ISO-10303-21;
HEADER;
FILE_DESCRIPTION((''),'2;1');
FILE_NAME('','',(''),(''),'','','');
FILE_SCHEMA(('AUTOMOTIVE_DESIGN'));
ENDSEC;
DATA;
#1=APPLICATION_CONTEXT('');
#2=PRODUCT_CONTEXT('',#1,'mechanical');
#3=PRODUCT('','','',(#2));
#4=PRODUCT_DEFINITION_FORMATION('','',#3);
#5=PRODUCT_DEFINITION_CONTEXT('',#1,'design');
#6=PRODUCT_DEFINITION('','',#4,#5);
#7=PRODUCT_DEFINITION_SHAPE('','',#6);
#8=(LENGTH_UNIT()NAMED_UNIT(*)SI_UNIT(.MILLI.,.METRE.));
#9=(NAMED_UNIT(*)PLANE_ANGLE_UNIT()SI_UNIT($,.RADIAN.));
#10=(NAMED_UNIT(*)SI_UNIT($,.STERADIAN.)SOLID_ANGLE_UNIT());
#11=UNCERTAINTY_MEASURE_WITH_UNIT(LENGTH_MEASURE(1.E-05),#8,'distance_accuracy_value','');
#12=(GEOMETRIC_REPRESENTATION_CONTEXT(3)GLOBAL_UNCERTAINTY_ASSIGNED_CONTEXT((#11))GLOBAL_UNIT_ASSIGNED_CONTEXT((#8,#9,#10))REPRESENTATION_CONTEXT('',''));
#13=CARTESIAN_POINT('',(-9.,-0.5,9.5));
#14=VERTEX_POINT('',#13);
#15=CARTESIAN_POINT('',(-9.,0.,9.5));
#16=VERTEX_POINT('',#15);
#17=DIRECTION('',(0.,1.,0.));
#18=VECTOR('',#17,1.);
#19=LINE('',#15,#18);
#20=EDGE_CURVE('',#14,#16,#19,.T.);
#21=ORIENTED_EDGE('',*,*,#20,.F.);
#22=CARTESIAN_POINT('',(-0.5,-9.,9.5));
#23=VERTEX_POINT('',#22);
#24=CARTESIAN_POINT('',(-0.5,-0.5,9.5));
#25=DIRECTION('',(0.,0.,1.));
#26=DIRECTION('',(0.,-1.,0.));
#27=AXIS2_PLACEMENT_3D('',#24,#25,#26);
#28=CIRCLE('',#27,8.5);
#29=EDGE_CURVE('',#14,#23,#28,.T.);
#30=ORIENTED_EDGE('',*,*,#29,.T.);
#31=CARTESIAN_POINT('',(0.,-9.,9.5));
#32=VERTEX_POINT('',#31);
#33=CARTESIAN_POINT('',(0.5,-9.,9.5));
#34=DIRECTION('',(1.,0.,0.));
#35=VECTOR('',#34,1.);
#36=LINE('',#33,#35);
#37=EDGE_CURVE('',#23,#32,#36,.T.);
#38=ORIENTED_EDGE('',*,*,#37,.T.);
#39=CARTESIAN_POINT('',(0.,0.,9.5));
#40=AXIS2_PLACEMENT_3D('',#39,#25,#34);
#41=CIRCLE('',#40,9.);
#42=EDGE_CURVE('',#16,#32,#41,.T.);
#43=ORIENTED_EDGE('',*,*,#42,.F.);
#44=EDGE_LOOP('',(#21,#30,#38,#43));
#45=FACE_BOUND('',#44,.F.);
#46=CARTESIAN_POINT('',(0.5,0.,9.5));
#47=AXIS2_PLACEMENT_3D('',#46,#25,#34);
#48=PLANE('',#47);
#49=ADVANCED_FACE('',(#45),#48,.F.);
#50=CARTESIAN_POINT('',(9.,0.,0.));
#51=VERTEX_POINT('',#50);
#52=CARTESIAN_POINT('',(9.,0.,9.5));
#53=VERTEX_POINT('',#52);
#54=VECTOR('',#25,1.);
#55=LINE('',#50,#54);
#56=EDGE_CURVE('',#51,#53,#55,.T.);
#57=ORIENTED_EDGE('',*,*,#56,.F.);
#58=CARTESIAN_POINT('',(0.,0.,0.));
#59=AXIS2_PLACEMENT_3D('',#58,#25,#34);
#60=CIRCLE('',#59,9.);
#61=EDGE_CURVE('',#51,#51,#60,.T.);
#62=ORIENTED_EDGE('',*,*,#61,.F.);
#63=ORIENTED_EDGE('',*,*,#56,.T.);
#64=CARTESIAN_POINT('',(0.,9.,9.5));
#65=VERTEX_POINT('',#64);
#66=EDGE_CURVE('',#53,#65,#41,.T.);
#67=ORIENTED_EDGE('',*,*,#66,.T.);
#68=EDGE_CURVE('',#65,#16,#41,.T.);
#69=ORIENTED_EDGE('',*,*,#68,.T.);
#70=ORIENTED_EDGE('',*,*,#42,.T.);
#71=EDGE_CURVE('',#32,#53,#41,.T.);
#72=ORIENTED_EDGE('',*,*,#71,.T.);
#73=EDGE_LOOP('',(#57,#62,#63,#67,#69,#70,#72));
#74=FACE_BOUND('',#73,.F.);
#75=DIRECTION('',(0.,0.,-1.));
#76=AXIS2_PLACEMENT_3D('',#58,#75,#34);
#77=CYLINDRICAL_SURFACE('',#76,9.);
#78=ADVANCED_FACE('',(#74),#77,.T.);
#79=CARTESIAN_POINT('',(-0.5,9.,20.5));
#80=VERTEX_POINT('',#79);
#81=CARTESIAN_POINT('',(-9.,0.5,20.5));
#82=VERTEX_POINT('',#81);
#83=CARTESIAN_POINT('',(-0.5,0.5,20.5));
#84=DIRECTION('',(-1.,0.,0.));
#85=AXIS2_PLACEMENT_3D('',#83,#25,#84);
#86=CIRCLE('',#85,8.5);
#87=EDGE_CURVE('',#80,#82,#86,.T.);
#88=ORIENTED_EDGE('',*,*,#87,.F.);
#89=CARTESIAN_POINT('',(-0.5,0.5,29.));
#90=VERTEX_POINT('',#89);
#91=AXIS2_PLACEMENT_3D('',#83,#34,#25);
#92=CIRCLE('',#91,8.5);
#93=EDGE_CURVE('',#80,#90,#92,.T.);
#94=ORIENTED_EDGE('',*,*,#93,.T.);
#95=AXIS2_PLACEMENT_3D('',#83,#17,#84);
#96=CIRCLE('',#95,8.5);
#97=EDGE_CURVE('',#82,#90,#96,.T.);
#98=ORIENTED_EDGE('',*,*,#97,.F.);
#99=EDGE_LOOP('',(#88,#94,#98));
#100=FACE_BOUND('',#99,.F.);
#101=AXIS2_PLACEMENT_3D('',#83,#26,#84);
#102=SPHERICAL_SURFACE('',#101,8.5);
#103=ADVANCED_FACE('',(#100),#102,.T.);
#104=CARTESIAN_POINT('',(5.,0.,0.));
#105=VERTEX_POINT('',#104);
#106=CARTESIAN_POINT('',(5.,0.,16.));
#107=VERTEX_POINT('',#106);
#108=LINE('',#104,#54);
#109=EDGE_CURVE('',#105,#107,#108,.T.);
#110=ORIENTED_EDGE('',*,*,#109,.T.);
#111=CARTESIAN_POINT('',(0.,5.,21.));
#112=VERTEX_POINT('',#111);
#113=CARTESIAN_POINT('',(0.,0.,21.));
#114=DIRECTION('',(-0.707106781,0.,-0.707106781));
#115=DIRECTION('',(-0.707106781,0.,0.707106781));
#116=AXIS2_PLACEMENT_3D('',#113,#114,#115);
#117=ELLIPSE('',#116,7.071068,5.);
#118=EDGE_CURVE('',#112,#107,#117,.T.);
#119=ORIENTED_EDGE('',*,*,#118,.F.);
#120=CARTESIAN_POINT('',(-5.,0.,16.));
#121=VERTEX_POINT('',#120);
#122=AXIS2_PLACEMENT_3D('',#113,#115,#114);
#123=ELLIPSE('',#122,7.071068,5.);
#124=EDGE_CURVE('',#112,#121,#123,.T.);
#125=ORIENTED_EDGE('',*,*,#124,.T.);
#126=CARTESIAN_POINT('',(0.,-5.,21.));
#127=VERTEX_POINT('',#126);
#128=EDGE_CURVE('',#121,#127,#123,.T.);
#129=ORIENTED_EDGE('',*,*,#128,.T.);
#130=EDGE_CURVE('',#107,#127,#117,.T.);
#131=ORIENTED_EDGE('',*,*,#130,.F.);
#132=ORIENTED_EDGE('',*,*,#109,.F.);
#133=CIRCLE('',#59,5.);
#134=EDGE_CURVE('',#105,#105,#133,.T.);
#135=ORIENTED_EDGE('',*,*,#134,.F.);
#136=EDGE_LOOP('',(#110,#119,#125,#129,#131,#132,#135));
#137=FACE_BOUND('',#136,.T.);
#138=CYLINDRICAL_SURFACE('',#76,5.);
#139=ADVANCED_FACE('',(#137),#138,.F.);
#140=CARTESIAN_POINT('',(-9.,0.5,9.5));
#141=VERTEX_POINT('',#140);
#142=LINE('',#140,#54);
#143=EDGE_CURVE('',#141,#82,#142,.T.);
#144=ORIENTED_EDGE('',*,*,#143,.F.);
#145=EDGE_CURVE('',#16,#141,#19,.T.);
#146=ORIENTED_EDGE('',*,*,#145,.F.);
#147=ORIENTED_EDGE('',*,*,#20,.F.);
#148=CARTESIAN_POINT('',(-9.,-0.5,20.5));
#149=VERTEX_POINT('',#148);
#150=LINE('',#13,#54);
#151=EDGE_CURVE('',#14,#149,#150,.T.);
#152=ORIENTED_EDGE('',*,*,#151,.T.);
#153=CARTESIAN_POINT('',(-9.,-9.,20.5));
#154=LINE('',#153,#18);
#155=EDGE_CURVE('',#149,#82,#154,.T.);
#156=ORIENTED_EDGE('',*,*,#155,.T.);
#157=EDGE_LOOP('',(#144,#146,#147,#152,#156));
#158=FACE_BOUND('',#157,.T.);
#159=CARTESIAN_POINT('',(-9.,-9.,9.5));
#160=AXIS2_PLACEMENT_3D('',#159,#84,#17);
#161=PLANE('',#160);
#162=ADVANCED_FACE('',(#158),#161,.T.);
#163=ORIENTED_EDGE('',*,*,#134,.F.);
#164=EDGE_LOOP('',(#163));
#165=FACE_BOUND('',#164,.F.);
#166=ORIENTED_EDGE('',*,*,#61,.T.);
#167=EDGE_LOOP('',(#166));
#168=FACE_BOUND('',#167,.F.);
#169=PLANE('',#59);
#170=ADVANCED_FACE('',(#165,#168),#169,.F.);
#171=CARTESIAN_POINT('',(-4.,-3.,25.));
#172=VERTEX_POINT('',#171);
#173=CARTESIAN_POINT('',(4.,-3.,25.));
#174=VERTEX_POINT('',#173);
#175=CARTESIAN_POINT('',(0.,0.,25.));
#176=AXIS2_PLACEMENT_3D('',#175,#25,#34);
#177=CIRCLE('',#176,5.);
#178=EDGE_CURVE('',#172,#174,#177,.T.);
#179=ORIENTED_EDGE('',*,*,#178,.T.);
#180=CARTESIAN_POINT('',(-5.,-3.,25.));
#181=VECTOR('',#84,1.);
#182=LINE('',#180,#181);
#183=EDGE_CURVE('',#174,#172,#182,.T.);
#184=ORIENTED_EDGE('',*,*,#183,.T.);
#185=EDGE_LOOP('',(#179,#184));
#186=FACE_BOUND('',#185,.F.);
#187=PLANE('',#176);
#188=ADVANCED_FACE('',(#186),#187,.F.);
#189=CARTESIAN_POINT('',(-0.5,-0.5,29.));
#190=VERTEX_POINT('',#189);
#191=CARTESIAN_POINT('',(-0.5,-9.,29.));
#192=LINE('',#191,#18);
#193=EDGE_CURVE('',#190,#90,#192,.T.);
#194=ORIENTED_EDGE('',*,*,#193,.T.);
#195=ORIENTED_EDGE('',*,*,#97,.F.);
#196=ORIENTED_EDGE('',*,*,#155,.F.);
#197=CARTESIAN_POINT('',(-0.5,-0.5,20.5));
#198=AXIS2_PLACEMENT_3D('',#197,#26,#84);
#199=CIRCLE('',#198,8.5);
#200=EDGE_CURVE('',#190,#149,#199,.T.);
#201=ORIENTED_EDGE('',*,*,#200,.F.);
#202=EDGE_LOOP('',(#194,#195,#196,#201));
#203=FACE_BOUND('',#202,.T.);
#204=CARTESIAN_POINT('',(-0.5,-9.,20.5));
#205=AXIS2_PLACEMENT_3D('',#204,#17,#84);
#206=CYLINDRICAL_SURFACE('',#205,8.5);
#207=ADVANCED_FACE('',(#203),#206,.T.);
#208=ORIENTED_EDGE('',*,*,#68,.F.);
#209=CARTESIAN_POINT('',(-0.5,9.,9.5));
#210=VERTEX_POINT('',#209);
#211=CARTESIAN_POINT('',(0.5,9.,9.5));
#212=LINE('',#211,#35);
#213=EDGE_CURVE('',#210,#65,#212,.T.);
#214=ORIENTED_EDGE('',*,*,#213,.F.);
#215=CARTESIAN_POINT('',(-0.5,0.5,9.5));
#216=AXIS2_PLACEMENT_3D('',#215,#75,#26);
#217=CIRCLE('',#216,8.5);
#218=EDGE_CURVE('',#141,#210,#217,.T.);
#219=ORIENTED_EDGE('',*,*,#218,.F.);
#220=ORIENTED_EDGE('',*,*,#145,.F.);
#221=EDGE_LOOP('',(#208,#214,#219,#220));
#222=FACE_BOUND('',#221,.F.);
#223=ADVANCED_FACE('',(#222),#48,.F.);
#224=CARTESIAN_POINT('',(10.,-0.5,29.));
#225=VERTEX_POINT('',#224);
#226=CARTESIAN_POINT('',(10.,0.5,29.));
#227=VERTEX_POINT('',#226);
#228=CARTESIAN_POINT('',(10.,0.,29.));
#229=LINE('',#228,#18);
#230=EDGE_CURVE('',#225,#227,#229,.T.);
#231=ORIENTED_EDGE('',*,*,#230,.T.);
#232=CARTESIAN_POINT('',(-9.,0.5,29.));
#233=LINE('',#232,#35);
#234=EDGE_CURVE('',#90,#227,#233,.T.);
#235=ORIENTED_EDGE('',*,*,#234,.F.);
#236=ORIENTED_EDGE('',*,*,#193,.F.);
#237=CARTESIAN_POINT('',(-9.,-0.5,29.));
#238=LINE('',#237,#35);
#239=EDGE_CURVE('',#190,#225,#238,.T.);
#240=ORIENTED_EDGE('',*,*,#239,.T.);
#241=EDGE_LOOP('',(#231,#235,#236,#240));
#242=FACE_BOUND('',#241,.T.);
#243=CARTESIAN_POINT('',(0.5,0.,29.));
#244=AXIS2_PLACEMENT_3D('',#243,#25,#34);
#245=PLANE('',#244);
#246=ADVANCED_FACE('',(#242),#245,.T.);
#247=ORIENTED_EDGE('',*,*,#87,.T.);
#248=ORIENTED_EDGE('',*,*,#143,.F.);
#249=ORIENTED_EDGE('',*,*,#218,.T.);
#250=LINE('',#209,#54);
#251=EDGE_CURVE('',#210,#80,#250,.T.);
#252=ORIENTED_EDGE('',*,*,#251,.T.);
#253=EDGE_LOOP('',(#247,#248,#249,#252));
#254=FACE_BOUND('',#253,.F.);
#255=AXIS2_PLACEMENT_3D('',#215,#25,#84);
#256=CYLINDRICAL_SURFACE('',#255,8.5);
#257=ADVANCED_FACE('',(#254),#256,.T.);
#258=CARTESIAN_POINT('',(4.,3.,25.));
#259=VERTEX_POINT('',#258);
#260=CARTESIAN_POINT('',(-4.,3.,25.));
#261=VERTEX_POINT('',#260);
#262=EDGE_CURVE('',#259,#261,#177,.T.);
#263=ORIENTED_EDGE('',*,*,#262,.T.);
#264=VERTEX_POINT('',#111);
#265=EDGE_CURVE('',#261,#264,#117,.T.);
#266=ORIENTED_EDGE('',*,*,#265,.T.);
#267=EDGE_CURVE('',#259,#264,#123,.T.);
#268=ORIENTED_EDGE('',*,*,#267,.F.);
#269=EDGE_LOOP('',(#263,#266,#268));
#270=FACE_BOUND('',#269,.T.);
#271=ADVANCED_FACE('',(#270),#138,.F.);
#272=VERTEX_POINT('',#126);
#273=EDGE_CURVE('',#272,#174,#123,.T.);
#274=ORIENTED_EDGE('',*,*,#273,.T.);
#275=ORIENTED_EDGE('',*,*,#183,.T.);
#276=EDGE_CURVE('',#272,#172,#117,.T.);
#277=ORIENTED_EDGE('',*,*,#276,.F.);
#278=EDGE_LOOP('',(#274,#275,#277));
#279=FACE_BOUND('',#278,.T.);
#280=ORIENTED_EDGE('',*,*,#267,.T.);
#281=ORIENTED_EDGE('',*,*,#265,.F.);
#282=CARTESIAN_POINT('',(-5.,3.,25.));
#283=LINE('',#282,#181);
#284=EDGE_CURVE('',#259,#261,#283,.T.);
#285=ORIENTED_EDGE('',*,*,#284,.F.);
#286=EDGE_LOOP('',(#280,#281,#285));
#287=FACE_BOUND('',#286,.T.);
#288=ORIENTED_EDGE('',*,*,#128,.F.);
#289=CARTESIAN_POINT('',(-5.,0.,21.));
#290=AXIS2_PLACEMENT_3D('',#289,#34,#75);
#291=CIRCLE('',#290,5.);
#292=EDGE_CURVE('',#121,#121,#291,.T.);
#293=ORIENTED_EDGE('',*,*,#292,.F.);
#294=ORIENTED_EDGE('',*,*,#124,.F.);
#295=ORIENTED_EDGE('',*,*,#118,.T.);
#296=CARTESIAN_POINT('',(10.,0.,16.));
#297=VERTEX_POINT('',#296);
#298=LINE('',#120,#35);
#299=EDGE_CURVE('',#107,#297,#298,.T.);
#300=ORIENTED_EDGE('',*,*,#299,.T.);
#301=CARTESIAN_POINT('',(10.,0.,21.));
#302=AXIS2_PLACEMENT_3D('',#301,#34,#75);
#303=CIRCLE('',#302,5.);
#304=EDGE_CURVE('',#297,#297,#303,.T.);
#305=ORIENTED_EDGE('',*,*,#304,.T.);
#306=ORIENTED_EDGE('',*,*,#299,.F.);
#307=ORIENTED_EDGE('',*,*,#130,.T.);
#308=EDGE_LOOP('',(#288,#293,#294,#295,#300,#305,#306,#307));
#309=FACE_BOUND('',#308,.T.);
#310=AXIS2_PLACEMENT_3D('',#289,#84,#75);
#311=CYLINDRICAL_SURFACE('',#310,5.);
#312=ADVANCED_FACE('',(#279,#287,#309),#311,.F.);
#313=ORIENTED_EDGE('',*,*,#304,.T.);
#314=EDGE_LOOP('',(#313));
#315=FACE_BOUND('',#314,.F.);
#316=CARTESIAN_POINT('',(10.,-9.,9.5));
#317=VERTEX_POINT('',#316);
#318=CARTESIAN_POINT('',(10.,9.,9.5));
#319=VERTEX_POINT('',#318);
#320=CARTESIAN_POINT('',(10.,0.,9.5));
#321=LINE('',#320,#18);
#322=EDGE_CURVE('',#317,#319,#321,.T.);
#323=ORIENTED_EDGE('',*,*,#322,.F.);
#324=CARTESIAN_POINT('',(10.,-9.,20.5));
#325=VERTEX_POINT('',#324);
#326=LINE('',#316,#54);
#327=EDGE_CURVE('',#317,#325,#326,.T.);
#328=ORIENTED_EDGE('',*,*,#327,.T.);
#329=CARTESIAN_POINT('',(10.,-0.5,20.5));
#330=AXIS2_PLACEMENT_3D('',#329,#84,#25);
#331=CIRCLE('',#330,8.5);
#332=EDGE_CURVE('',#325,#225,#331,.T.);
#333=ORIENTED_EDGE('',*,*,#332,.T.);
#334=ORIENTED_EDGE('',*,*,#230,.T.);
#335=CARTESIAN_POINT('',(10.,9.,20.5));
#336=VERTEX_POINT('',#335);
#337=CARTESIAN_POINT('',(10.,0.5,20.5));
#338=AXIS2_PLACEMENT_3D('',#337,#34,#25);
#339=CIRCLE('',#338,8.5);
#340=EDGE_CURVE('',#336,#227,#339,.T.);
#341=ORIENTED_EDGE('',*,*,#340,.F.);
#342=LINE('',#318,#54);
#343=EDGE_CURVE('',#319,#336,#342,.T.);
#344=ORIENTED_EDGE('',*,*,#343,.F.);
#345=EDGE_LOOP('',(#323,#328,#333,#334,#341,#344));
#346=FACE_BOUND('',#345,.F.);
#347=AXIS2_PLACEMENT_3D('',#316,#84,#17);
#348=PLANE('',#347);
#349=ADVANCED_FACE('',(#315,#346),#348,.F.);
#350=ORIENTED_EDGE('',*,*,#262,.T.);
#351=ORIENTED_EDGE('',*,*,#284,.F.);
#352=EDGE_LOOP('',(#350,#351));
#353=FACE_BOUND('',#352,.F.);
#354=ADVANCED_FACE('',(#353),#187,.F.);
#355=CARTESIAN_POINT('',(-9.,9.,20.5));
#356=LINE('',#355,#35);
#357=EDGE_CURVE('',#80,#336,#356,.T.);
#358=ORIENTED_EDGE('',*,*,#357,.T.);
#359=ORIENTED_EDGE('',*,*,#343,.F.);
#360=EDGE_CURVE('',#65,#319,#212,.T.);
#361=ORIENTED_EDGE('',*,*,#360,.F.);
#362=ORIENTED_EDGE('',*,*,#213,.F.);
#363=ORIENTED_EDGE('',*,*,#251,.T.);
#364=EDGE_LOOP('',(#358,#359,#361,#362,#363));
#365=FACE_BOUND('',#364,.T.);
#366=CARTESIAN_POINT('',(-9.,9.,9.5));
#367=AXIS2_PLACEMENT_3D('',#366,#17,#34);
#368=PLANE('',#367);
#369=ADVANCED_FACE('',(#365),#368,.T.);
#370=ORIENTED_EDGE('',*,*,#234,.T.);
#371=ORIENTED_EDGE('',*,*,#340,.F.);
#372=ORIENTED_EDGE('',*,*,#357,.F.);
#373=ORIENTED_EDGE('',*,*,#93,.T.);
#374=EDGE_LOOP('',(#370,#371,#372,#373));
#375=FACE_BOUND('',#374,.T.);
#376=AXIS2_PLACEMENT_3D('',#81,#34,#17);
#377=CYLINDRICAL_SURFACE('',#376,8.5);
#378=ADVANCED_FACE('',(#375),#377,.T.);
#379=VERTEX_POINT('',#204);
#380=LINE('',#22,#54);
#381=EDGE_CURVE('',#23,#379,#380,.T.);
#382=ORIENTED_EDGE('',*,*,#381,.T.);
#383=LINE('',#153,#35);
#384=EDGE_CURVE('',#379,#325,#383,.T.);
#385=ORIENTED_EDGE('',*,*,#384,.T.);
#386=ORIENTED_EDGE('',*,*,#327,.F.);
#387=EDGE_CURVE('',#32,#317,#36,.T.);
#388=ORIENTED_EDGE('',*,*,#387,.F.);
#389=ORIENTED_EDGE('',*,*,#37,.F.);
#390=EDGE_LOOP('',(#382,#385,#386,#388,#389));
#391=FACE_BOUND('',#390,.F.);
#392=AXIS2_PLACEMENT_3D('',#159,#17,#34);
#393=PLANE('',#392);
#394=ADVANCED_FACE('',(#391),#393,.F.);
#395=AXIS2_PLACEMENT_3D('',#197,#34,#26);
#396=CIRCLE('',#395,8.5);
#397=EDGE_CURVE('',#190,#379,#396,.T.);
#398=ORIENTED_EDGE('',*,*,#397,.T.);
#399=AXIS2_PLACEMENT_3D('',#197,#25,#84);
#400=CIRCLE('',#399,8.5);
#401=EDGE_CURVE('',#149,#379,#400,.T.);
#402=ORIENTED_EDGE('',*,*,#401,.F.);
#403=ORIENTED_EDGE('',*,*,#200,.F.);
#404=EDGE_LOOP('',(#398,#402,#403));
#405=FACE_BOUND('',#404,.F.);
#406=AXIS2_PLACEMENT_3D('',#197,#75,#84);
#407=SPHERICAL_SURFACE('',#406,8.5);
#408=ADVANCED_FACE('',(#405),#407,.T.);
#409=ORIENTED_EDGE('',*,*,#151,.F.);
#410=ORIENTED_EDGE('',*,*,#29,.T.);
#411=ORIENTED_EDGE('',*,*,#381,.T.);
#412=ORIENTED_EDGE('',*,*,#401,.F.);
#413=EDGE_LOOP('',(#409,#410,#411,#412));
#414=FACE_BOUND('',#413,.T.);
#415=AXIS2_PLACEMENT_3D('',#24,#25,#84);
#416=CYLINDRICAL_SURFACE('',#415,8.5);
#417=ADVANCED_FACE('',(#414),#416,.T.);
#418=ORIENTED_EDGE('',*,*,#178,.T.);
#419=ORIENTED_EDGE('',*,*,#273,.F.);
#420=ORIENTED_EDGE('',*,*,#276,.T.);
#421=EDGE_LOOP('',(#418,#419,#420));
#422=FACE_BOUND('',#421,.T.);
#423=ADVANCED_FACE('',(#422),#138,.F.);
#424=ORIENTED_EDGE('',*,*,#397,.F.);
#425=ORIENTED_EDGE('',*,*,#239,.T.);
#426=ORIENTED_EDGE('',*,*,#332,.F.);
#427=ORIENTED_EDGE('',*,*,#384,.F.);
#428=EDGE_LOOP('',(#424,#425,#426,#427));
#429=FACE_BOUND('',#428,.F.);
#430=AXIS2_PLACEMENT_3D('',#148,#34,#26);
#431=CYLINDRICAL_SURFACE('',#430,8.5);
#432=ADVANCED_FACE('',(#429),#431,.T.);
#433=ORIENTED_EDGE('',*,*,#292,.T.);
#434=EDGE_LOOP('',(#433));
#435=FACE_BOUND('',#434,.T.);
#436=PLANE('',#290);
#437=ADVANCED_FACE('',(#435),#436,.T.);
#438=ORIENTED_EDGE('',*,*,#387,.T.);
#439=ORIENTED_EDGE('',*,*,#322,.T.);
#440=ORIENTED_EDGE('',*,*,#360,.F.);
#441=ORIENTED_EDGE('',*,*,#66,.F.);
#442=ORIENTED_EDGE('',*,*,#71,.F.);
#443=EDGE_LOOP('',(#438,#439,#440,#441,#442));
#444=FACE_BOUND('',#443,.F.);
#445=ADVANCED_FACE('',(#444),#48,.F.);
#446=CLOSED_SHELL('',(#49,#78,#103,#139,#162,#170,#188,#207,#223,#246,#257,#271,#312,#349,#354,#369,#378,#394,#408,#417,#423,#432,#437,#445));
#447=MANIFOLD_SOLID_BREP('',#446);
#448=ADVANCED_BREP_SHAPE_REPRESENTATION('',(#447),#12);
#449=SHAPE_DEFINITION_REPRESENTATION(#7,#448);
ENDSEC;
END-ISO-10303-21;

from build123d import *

# Parameters (mm, degrees)
CYLINDER021_R     = 5
CYLINDER021_DEPTH = 25
CYLINDER022_R     = 5
CYLINDER022_DEPTH = 15
CYLINDER020_R     = 9
CYLINDER020_DEPTH = 9.5
BOX007_W          = 19
BOX007_H          = 18
BOX007_DEPTH      = 19.5
FILLET_R          = 8.5


with BuildPart() as tc_bottom_hole:
    # Cylinder021 → Cylinder021 (new body)
    with BuildSketch(Plane.XY):
        Circle(CYLINDER021_R)
    extrude(amount=CYLINDER021_DEPTH)


with BuildPart() as tc_holes:
    # Cylinder022 → Cylinder022 (new body)
    with BuildSketch(Plane(origin=(-5, 0, 21), x_dir=(0, 0, -1), z_dir=(1, 0, 0))):
        Circle(CYLINDER022_R)
    extrude(amount=CYLINDER022_DEPTH)

    # Fusion016: union TC-Bottom-Hole
    add(tc_bottom_hole.part)


with BuildPart() as tc_bottom:
    # Cylinder020 → Cylinder020 (new body)
    with BuildSketch(Plane.XY):
        Circle(CYLINDER020_R)
    extrude(amount=CYLINDER020_DEPTH)


with BuildPart() as turnablecorner:
    # Box007 → Box007 (new body)
    with BuildSketch(Plane(origin=(-9, -9, 9.5), x_dir=(1, 0, 0), z_dir=(0, 0, 1))):
        with Locations((9.5, 9)):
            Rectangle(BOX007_W, BOX007_H)
    extrude(amount=BOX007_DEPTH)

    # Fillet
    fillet_edges = [turnablecorner.edges().sort_by_distance(p)[0] for p in [
        (-9, -9, 19.25),
        (-9, 0, 29),
        (-9, 9, 19.25),
        (0.5, -9, 29),
        (0.5, 9, 29),
    ]]
    fillet(fillet_edges, radius=FILLET_R)

    # Fusion018: union TC-Bottom
    add(tc_bottom.part)

    # Cut009: cut TC-Holes
    add(tc_holes.part, mode=Mode.SUBTRACT)


solid = turnablecorner.part
